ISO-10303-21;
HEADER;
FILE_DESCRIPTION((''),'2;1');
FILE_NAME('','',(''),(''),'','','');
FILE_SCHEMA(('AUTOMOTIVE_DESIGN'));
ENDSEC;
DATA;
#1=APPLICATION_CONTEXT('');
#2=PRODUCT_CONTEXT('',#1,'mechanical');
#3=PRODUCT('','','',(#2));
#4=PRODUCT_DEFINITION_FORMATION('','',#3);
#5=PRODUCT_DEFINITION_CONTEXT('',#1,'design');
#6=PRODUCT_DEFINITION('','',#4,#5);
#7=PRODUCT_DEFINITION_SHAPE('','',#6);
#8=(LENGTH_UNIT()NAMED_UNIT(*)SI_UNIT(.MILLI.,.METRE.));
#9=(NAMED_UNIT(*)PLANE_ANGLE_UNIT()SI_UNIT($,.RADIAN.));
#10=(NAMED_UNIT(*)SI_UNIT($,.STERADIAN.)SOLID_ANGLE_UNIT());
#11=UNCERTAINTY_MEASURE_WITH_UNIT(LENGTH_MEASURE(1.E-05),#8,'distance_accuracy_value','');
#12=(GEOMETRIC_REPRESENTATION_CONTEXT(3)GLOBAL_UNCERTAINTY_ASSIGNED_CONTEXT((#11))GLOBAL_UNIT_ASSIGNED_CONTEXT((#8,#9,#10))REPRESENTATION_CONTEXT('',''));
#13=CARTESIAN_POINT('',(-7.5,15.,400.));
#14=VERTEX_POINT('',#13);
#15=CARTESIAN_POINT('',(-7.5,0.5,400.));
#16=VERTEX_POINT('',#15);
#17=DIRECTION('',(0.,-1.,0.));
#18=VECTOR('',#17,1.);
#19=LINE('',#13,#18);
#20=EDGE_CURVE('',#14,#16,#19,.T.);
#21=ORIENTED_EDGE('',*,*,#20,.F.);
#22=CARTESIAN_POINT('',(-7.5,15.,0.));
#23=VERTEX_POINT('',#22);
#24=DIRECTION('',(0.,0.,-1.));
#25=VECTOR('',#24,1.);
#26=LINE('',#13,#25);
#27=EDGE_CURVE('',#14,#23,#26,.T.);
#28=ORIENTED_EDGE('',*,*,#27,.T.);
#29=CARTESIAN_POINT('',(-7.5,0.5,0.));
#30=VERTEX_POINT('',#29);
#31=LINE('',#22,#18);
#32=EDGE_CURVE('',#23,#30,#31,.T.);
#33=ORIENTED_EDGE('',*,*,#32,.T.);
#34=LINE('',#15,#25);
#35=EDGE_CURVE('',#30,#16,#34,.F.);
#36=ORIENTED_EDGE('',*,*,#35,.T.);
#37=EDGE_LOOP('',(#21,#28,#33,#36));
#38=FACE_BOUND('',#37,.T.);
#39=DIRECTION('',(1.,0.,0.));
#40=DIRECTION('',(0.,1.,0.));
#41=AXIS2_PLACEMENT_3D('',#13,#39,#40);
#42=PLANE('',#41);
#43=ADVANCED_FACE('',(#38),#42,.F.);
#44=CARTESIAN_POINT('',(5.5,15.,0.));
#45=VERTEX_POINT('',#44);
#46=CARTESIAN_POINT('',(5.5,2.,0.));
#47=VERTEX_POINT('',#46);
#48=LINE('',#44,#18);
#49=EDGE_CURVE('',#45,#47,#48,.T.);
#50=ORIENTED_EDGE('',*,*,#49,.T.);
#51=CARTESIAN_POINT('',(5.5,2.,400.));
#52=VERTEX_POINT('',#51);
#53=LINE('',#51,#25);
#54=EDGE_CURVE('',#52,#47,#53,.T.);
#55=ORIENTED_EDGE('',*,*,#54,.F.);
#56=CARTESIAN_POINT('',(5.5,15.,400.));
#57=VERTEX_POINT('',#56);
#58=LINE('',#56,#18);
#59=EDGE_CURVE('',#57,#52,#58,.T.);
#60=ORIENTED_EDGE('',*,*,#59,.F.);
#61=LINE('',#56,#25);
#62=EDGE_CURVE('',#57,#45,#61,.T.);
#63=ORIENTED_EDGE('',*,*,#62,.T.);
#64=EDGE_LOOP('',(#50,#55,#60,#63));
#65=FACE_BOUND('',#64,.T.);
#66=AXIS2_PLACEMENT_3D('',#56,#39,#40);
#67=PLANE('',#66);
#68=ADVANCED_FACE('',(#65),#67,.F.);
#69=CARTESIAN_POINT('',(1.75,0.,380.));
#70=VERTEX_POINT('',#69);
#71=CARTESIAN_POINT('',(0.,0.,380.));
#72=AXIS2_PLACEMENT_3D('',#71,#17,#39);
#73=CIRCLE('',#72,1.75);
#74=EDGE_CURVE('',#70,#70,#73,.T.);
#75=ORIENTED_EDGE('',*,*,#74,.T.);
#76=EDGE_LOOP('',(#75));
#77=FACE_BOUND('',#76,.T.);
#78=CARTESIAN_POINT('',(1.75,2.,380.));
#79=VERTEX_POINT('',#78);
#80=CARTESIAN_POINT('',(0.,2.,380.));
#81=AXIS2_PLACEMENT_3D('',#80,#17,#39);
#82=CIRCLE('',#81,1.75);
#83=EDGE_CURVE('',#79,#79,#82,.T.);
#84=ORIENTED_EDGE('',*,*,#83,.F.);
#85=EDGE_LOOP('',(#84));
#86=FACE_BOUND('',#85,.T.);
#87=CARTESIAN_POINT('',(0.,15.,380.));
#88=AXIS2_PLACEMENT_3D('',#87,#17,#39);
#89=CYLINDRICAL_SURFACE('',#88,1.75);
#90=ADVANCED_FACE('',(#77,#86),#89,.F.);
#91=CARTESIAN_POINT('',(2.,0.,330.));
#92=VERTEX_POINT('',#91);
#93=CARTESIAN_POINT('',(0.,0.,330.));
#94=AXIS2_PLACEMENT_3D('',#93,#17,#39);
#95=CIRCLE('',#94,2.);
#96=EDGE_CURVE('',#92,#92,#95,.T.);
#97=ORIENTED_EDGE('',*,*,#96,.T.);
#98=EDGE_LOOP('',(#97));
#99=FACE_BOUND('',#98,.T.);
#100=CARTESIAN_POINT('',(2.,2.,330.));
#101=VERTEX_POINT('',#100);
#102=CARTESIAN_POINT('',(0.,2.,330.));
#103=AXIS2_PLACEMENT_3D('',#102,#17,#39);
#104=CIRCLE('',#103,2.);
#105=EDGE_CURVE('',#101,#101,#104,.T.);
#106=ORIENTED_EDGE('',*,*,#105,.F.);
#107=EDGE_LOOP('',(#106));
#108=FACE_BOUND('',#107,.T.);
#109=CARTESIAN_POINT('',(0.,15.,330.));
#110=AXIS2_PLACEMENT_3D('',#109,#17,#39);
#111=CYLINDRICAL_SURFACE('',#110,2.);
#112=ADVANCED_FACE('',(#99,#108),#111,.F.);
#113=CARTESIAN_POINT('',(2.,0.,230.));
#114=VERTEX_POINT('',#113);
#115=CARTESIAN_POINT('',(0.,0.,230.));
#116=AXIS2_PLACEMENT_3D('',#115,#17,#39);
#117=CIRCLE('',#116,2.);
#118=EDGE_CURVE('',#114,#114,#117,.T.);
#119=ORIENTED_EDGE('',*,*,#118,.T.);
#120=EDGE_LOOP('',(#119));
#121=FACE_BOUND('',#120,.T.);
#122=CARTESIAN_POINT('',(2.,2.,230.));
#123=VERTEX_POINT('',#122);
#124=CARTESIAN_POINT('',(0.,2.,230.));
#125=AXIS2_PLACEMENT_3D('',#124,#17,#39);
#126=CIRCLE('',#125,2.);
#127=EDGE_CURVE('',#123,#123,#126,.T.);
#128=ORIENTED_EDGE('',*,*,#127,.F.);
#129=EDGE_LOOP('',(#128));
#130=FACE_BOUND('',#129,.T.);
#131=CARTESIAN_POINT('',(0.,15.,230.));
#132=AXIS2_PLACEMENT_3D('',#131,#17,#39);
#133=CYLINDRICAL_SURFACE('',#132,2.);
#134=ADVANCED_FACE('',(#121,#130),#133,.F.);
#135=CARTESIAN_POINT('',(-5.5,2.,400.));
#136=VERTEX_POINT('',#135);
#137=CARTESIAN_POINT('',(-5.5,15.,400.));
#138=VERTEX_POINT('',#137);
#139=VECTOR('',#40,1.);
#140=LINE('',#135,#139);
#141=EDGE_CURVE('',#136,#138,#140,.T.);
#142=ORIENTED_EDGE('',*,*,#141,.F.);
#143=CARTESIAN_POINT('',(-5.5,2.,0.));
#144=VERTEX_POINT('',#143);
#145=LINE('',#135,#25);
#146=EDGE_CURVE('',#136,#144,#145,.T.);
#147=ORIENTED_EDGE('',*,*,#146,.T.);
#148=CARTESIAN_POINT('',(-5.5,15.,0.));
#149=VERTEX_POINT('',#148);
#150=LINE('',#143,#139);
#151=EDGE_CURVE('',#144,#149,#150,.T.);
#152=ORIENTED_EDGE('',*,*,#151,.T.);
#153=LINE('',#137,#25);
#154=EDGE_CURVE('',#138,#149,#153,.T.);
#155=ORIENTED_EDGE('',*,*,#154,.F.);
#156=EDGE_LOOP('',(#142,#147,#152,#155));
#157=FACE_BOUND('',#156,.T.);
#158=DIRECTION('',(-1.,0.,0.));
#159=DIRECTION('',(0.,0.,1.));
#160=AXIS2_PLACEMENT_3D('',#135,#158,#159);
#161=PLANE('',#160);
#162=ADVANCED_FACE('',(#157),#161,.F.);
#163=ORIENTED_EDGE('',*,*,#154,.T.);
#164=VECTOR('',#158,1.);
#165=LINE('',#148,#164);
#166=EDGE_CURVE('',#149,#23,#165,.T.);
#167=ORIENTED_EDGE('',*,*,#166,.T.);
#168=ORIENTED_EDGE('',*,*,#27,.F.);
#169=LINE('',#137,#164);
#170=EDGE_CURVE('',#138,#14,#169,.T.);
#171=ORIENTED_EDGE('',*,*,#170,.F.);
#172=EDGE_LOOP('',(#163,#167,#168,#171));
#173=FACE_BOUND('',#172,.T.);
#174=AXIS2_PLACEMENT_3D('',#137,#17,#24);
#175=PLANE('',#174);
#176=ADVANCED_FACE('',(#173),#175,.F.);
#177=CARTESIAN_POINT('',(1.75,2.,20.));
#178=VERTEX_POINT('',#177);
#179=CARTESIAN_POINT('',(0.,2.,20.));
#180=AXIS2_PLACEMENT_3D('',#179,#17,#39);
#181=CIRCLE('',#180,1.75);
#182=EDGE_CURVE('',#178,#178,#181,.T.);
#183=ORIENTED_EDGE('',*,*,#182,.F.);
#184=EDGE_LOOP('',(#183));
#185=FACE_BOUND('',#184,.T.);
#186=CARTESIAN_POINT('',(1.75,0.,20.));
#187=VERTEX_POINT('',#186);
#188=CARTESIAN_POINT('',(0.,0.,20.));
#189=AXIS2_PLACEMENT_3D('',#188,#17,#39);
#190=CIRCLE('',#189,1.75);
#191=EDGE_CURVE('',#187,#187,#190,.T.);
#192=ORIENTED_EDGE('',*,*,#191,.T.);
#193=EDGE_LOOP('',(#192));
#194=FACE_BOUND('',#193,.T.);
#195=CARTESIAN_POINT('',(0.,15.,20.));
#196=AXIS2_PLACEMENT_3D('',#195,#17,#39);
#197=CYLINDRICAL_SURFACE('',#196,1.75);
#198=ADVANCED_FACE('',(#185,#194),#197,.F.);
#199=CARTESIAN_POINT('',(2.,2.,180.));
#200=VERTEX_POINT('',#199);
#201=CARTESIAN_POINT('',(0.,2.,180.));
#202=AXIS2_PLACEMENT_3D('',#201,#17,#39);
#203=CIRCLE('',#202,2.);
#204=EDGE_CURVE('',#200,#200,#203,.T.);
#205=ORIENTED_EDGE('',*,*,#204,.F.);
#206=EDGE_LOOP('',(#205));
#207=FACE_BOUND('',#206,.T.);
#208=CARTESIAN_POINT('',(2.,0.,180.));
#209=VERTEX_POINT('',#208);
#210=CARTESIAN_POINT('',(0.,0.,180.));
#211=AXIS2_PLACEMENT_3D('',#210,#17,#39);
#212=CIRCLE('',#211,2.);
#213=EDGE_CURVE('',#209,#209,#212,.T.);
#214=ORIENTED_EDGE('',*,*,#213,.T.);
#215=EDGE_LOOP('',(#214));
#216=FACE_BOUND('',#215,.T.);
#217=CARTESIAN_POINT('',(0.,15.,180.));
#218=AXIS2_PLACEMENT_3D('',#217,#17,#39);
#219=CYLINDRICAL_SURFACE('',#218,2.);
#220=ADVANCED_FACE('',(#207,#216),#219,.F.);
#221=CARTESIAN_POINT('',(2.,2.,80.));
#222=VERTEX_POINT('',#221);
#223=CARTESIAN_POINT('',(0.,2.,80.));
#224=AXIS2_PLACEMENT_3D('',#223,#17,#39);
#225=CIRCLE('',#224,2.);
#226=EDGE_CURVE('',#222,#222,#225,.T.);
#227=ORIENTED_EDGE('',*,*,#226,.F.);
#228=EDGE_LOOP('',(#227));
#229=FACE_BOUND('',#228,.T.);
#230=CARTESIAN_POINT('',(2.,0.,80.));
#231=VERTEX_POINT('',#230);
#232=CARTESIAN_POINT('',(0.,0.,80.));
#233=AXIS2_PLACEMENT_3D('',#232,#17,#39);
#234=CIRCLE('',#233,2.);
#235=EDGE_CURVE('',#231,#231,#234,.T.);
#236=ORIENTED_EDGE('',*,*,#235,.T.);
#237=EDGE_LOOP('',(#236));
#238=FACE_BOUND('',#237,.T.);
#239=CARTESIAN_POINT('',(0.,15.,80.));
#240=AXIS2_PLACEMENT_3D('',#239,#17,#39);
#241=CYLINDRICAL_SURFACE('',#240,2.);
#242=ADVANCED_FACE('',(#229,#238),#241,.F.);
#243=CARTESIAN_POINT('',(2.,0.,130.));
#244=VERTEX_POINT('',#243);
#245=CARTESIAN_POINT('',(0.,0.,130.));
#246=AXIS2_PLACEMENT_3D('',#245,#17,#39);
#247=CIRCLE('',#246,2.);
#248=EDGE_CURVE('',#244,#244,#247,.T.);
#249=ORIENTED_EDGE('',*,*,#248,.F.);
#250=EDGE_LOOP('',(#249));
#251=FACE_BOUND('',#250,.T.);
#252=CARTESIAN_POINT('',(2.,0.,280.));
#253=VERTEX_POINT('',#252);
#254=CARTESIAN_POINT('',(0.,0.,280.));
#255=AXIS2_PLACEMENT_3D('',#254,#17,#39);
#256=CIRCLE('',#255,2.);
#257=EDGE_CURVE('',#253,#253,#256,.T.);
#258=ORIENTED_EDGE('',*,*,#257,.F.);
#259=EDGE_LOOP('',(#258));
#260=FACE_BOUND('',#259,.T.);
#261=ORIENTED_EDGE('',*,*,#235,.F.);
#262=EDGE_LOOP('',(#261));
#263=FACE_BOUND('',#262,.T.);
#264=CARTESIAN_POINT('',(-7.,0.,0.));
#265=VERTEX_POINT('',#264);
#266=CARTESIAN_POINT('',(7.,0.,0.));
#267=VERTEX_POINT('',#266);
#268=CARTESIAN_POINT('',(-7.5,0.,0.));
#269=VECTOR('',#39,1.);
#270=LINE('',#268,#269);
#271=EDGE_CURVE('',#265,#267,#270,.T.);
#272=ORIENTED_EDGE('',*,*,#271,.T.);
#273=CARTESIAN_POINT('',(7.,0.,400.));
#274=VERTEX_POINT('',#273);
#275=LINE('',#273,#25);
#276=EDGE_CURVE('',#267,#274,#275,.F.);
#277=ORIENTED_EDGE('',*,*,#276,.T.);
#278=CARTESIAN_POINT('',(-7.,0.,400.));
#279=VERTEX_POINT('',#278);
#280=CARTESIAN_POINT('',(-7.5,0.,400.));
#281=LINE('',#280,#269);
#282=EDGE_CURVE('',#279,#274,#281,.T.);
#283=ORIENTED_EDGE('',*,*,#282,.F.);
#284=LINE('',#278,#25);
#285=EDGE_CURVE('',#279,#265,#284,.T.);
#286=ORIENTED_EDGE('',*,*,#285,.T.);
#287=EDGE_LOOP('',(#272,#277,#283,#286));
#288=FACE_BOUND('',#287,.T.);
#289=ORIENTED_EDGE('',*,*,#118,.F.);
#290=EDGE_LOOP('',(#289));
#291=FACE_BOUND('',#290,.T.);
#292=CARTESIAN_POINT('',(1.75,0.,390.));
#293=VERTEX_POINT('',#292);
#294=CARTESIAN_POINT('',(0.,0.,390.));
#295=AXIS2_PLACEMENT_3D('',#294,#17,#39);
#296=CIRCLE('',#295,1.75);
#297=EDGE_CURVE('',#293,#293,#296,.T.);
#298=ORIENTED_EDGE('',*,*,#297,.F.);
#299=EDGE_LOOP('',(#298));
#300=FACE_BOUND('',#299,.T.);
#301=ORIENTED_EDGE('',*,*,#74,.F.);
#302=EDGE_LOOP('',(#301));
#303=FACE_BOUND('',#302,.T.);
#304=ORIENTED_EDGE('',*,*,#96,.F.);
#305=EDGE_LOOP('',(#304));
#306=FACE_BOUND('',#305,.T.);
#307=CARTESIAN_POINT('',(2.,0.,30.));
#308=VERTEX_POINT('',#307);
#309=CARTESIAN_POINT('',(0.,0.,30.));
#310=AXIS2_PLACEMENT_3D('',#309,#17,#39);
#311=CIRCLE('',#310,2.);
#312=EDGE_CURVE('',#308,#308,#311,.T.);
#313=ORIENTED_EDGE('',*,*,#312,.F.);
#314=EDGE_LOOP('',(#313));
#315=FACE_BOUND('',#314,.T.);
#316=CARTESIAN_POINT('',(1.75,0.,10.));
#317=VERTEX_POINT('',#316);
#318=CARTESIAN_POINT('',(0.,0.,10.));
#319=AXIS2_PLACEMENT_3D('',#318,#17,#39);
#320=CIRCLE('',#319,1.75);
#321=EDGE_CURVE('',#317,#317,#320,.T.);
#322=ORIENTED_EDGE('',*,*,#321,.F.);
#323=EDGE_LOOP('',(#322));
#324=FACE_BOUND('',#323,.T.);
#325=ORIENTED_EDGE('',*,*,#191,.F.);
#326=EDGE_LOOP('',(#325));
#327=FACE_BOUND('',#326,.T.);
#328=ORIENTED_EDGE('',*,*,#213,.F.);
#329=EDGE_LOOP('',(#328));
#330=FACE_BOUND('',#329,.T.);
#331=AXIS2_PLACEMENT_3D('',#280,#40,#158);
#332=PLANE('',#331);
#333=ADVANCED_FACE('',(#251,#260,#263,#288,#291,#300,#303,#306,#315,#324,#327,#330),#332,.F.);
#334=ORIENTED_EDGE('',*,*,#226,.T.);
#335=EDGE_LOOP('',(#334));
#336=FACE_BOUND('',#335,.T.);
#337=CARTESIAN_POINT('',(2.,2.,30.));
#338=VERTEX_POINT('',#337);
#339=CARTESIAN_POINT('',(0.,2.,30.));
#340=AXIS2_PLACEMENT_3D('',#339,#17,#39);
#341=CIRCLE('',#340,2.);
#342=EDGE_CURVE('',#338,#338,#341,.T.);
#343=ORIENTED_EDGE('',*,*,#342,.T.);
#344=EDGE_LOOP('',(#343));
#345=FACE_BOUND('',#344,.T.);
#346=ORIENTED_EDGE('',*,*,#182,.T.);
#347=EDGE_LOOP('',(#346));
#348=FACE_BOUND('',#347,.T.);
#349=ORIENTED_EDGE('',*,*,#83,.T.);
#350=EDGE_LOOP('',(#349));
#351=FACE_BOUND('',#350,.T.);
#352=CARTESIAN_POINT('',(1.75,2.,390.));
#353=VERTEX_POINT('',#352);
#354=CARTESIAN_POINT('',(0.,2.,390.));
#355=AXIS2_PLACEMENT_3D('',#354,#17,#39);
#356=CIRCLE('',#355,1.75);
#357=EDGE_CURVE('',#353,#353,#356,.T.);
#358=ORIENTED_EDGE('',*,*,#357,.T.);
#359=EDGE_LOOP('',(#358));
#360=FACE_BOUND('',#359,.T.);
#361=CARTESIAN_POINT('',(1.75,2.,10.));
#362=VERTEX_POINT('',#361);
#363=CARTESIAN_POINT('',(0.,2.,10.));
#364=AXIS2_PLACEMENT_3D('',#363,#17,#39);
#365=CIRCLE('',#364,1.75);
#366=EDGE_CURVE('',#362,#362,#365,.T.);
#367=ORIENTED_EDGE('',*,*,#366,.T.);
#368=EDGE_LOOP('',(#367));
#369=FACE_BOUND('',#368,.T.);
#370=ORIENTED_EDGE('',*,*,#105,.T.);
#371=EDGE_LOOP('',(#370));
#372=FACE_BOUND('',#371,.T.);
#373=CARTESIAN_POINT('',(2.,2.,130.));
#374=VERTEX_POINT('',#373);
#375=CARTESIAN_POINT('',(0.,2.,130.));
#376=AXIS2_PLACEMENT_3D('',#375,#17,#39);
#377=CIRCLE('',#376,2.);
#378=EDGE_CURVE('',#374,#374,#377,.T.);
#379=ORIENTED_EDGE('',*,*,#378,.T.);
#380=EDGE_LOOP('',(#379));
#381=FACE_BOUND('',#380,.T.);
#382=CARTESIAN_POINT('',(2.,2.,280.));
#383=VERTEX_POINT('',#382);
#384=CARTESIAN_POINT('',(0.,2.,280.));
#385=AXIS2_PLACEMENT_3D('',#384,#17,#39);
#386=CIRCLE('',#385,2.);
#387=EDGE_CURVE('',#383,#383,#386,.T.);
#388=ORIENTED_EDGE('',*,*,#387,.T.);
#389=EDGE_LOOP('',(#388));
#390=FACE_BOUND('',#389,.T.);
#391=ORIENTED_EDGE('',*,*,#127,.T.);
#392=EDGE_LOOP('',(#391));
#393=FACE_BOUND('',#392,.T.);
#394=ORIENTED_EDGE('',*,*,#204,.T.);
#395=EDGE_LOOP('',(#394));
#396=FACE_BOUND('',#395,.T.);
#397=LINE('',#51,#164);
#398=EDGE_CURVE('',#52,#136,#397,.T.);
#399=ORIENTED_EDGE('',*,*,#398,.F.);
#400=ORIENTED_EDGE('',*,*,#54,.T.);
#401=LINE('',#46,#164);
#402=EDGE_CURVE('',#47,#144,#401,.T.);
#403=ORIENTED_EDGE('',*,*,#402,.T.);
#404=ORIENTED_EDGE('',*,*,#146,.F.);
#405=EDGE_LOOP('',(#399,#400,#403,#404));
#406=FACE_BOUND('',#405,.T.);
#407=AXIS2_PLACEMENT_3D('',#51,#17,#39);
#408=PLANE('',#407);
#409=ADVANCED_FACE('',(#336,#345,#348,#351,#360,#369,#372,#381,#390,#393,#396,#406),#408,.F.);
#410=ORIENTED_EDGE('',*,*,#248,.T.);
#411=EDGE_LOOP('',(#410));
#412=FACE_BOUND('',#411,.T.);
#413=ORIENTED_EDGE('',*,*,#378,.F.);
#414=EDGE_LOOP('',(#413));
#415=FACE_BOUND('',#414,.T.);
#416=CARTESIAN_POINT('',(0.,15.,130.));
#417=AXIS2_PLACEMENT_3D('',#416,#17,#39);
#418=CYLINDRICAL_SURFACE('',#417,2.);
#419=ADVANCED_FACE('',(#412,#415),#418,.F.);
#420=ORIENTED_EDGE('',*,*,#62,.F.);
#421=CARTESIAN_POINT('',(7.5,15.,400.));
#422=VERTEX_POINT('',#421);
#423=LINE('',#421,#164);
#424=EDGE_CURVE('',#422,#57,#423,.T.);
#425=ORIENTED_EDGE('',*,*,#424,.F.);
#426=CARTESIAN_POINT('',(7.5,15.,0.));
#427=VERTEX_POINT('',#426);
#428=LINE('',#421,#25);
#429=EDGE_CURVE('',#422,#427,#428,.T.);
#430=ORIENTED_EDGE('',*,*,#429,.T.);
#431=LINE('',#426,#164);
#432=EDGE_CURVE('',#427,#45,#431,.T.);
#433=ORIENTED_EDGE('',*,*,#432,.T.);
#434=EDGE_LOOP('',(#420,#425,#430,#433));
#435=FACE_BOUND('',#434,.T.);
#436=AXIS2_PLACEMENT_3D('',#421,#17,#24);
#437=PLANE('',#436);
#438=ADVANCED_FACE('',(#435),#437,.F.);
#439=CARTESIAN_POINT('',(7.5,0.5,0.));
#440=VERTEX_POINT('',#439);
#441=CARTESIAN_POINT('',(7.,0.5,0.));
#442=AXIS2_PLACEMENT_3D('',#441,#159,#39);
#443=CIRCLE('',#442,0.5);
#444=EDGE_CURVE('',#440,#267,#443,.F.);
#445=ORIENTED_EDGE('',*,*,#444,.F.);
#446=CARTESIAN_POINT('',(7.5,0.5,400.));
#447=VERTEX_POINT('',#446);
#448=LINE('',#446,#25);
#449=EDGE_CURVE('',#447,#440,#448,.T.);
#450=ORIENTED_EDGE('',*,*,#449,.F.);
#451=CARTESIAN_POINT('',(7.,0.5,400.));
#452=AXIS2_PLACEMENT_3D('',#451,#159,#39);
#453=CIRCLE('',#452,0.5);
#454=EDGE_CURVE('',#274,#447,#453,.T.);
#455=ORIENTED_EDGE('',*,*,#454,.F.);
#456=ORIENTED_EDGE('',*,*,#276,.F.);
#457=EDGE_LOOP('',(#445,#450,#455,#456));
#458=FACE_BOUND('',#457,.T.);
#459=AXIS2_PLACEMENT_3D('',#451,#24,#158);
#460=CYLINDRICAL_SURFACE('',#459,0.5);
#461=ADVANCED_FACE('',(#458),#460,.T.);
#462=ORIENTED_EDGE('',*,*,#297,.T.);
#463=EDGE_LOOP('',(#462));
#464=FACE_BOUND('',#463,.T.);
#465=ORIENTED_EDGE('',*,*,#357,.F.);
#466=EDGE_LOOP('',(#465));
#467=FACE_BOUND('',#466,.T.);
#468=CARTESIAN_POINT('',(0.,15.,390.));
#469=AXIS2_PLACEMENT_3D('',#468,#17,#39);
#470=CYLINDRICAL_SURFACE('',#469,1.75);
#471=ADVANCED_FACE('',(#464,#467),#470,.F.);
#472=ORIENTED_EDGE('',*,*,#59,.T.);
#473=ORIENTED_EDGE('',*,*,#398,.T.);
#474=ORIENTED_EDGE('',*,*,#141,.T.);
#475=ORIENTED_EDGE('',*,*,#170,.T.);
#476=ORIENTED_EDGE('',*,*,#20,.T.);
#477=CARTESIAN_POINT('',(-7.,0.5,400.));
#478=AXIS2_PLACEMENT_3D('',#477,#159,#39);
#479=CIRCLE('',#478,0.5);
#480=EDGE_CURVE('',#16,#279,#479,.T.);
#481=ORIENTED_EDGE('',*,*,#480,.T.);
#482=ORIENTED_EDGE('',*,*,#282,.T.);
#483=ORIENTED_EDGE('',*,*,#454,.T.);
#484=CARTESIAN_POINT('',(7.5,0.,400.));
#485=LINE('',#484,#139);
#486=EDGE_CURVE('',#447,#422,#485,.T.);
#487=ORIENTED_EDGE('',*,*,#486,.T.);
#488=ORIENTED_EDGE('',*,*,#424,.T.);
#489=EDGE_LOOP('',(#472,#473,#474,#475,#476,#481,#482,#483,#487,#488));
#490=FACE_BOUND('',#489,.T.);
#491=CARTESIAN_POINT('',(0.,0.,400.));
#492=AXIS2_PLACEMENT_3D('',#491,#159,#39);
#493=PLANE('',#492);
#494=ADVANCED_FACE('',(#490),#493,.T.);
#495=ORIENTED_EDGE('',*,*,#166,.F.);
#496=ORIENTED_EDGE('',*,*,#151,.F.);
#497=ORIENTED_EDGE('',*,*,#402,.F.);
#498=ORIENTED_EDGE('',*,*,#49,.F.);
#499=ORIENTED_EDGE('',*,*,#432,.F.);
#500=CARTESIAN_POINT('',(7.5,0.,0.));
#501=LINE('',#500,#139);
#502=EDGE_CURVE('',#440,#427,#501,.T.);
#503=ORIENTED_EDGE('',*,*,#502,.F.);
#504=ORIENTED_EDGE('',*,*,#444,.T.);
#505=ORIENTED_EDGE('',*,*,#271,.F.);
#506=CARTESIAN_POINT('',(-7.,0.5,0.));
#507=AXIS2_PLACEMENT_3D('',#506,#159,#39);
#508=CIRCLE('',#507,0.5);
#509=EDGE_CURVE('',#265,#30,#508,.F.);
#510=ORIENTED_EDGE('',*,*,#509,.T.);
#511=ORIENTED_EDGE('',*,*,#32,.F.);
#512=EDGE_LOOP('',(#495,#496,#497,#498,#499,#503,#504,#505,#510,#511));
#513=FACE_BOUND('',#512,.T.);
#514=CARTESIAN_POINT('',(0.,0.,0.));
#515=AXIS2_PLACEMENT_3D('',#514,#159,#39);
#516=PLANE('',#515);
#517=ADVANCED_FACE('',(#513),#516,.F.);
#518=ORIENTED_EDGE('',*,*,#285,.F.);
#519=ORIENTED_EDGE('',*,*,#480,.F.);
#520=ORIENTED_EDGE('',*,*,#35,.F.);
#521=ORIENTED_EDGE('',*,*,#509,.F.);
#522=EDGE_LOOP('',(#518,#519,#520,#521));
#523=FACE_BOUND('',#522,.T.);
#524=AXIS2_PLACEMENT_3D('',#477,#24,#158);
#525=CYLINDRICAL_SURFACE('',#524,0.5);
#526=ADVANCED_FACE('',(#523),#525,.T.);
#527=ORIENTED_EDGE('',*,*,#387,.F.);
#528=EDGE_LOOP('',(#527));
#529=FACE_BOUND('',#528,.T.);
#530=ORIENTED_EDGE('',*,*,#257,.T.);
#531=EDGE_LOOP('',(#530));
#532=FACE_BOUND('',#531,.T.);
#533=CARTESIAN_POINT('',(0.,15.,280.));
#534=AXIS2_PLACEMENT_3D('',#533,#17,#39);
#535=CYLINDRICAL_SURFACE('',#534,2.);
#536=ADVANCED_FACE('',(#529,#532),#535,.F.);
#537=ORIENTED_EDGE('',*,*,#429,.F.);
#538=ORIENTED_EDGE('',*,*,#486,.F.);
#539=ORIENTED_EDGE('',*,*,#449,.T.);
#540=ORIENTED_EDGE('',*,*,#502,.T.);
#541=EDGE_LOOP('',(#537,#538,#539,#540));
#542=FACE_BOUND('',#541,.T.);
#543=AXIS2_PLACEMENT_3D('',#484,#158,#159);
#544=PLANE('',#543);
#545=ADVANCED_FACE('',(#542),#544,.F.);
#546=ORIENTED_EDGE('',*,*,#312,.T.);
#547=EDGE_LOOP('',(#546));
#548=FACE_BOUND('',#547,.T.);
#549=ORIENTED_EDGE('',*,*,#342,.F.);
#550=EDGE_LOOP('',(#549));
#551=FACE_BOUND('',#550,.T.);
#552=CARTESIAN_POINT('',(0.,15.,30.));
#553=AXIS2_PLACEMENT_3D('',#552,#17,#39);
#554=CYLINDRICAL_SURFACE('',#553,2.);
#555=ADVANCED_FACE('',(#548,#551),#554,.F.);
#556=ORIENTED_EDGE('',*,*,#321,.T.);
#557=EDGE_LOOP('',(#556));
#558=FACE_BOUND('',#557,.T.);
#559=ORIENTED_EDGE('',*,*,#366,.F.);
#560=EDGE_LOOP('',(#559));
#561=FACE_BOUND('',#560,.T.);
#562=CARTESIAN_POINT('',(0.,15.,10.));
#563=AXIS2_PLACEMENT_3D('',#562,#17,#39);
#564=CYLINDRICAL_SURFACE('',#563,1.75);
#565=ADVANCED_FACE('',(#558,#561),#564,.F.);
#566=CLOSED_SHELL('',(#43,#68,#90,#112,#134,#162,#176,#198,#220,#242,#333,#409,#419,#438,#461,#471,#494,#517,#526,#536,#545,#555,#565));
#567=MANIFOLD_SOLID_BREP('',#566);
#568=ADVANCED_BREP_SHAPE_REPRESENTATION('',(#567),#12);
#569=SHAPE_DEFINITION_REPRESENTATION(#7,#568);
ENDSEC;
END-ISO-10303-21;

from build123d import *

# Parameters (mm, degrees)
SALIENTE_EXTRUIR1_DEPTH = 400
REDONDEO1_R             = 0.5
CROQUIS2_R              = 2
CROQUIS2_R_2            = 1.75
CORTAR_EXTRUIR1_DEPTH   = 16


with BuildPart() as part:
    # Croquis1 → Saliente-Extruir1 (new body)
    with BuildSketch(Plane.XY):
        Polygon((-7.5, 15), (-7.5, 0), (7.5, 0), (7.5, 15), (5.5, 15), (5.5, 2), (-5.5, 2), (-5.5, 15), align=None)
    extrude(amount=SALIENTE_EXTRUIR1_DEPTH)

    # Redondeo1
    redondeo1_edges = [part.edges().sort_by_distance(p)[0] for p in [
        (7.5, 0, 200),
        (-7.5, 0, 200),
    ]]
    fillet(redondeo1_edges, radius=REDONDEO1_R)

    # Croquis2 → Cortar-Extruir1 (cut, through all)
    with BuildSketch(Plane.XZ):
        with Locations((0, 280)):
            Circle(CROQUIS2_R)
        with Locations((0, 330)):
            Circle(CROQUIS2_R)
        with Locations((0, 390)):
            Circle(CROQUIS2_R_2)
        with Locations((0, 380)):
            Circle(CROQUIS2_R_2)
        with Locations((0, 10)):
            Circle(CROQUIS2_R_2)
        with Locations((0, 20)):
            Circle(CROQUIS2_R_2)
        with Locations((0, 230)):
            Circle(CROQUIS2_R)
        with Locations((0, 180)):
            Circle(CROQUIS2_R)
        with Locations((0, 130)):
            Circle(CROQUIS2_R)
        with Locations((0, 80)):
            Circle(CROQUIS2_R)
        with Locations((0, 30)):
            Circle(CROQUIS2_R)
    extrude(amount=-CORTAR_EXTRUIR1_DEPTH, mode=Mode.SUBTRACT)


solid = part.part
